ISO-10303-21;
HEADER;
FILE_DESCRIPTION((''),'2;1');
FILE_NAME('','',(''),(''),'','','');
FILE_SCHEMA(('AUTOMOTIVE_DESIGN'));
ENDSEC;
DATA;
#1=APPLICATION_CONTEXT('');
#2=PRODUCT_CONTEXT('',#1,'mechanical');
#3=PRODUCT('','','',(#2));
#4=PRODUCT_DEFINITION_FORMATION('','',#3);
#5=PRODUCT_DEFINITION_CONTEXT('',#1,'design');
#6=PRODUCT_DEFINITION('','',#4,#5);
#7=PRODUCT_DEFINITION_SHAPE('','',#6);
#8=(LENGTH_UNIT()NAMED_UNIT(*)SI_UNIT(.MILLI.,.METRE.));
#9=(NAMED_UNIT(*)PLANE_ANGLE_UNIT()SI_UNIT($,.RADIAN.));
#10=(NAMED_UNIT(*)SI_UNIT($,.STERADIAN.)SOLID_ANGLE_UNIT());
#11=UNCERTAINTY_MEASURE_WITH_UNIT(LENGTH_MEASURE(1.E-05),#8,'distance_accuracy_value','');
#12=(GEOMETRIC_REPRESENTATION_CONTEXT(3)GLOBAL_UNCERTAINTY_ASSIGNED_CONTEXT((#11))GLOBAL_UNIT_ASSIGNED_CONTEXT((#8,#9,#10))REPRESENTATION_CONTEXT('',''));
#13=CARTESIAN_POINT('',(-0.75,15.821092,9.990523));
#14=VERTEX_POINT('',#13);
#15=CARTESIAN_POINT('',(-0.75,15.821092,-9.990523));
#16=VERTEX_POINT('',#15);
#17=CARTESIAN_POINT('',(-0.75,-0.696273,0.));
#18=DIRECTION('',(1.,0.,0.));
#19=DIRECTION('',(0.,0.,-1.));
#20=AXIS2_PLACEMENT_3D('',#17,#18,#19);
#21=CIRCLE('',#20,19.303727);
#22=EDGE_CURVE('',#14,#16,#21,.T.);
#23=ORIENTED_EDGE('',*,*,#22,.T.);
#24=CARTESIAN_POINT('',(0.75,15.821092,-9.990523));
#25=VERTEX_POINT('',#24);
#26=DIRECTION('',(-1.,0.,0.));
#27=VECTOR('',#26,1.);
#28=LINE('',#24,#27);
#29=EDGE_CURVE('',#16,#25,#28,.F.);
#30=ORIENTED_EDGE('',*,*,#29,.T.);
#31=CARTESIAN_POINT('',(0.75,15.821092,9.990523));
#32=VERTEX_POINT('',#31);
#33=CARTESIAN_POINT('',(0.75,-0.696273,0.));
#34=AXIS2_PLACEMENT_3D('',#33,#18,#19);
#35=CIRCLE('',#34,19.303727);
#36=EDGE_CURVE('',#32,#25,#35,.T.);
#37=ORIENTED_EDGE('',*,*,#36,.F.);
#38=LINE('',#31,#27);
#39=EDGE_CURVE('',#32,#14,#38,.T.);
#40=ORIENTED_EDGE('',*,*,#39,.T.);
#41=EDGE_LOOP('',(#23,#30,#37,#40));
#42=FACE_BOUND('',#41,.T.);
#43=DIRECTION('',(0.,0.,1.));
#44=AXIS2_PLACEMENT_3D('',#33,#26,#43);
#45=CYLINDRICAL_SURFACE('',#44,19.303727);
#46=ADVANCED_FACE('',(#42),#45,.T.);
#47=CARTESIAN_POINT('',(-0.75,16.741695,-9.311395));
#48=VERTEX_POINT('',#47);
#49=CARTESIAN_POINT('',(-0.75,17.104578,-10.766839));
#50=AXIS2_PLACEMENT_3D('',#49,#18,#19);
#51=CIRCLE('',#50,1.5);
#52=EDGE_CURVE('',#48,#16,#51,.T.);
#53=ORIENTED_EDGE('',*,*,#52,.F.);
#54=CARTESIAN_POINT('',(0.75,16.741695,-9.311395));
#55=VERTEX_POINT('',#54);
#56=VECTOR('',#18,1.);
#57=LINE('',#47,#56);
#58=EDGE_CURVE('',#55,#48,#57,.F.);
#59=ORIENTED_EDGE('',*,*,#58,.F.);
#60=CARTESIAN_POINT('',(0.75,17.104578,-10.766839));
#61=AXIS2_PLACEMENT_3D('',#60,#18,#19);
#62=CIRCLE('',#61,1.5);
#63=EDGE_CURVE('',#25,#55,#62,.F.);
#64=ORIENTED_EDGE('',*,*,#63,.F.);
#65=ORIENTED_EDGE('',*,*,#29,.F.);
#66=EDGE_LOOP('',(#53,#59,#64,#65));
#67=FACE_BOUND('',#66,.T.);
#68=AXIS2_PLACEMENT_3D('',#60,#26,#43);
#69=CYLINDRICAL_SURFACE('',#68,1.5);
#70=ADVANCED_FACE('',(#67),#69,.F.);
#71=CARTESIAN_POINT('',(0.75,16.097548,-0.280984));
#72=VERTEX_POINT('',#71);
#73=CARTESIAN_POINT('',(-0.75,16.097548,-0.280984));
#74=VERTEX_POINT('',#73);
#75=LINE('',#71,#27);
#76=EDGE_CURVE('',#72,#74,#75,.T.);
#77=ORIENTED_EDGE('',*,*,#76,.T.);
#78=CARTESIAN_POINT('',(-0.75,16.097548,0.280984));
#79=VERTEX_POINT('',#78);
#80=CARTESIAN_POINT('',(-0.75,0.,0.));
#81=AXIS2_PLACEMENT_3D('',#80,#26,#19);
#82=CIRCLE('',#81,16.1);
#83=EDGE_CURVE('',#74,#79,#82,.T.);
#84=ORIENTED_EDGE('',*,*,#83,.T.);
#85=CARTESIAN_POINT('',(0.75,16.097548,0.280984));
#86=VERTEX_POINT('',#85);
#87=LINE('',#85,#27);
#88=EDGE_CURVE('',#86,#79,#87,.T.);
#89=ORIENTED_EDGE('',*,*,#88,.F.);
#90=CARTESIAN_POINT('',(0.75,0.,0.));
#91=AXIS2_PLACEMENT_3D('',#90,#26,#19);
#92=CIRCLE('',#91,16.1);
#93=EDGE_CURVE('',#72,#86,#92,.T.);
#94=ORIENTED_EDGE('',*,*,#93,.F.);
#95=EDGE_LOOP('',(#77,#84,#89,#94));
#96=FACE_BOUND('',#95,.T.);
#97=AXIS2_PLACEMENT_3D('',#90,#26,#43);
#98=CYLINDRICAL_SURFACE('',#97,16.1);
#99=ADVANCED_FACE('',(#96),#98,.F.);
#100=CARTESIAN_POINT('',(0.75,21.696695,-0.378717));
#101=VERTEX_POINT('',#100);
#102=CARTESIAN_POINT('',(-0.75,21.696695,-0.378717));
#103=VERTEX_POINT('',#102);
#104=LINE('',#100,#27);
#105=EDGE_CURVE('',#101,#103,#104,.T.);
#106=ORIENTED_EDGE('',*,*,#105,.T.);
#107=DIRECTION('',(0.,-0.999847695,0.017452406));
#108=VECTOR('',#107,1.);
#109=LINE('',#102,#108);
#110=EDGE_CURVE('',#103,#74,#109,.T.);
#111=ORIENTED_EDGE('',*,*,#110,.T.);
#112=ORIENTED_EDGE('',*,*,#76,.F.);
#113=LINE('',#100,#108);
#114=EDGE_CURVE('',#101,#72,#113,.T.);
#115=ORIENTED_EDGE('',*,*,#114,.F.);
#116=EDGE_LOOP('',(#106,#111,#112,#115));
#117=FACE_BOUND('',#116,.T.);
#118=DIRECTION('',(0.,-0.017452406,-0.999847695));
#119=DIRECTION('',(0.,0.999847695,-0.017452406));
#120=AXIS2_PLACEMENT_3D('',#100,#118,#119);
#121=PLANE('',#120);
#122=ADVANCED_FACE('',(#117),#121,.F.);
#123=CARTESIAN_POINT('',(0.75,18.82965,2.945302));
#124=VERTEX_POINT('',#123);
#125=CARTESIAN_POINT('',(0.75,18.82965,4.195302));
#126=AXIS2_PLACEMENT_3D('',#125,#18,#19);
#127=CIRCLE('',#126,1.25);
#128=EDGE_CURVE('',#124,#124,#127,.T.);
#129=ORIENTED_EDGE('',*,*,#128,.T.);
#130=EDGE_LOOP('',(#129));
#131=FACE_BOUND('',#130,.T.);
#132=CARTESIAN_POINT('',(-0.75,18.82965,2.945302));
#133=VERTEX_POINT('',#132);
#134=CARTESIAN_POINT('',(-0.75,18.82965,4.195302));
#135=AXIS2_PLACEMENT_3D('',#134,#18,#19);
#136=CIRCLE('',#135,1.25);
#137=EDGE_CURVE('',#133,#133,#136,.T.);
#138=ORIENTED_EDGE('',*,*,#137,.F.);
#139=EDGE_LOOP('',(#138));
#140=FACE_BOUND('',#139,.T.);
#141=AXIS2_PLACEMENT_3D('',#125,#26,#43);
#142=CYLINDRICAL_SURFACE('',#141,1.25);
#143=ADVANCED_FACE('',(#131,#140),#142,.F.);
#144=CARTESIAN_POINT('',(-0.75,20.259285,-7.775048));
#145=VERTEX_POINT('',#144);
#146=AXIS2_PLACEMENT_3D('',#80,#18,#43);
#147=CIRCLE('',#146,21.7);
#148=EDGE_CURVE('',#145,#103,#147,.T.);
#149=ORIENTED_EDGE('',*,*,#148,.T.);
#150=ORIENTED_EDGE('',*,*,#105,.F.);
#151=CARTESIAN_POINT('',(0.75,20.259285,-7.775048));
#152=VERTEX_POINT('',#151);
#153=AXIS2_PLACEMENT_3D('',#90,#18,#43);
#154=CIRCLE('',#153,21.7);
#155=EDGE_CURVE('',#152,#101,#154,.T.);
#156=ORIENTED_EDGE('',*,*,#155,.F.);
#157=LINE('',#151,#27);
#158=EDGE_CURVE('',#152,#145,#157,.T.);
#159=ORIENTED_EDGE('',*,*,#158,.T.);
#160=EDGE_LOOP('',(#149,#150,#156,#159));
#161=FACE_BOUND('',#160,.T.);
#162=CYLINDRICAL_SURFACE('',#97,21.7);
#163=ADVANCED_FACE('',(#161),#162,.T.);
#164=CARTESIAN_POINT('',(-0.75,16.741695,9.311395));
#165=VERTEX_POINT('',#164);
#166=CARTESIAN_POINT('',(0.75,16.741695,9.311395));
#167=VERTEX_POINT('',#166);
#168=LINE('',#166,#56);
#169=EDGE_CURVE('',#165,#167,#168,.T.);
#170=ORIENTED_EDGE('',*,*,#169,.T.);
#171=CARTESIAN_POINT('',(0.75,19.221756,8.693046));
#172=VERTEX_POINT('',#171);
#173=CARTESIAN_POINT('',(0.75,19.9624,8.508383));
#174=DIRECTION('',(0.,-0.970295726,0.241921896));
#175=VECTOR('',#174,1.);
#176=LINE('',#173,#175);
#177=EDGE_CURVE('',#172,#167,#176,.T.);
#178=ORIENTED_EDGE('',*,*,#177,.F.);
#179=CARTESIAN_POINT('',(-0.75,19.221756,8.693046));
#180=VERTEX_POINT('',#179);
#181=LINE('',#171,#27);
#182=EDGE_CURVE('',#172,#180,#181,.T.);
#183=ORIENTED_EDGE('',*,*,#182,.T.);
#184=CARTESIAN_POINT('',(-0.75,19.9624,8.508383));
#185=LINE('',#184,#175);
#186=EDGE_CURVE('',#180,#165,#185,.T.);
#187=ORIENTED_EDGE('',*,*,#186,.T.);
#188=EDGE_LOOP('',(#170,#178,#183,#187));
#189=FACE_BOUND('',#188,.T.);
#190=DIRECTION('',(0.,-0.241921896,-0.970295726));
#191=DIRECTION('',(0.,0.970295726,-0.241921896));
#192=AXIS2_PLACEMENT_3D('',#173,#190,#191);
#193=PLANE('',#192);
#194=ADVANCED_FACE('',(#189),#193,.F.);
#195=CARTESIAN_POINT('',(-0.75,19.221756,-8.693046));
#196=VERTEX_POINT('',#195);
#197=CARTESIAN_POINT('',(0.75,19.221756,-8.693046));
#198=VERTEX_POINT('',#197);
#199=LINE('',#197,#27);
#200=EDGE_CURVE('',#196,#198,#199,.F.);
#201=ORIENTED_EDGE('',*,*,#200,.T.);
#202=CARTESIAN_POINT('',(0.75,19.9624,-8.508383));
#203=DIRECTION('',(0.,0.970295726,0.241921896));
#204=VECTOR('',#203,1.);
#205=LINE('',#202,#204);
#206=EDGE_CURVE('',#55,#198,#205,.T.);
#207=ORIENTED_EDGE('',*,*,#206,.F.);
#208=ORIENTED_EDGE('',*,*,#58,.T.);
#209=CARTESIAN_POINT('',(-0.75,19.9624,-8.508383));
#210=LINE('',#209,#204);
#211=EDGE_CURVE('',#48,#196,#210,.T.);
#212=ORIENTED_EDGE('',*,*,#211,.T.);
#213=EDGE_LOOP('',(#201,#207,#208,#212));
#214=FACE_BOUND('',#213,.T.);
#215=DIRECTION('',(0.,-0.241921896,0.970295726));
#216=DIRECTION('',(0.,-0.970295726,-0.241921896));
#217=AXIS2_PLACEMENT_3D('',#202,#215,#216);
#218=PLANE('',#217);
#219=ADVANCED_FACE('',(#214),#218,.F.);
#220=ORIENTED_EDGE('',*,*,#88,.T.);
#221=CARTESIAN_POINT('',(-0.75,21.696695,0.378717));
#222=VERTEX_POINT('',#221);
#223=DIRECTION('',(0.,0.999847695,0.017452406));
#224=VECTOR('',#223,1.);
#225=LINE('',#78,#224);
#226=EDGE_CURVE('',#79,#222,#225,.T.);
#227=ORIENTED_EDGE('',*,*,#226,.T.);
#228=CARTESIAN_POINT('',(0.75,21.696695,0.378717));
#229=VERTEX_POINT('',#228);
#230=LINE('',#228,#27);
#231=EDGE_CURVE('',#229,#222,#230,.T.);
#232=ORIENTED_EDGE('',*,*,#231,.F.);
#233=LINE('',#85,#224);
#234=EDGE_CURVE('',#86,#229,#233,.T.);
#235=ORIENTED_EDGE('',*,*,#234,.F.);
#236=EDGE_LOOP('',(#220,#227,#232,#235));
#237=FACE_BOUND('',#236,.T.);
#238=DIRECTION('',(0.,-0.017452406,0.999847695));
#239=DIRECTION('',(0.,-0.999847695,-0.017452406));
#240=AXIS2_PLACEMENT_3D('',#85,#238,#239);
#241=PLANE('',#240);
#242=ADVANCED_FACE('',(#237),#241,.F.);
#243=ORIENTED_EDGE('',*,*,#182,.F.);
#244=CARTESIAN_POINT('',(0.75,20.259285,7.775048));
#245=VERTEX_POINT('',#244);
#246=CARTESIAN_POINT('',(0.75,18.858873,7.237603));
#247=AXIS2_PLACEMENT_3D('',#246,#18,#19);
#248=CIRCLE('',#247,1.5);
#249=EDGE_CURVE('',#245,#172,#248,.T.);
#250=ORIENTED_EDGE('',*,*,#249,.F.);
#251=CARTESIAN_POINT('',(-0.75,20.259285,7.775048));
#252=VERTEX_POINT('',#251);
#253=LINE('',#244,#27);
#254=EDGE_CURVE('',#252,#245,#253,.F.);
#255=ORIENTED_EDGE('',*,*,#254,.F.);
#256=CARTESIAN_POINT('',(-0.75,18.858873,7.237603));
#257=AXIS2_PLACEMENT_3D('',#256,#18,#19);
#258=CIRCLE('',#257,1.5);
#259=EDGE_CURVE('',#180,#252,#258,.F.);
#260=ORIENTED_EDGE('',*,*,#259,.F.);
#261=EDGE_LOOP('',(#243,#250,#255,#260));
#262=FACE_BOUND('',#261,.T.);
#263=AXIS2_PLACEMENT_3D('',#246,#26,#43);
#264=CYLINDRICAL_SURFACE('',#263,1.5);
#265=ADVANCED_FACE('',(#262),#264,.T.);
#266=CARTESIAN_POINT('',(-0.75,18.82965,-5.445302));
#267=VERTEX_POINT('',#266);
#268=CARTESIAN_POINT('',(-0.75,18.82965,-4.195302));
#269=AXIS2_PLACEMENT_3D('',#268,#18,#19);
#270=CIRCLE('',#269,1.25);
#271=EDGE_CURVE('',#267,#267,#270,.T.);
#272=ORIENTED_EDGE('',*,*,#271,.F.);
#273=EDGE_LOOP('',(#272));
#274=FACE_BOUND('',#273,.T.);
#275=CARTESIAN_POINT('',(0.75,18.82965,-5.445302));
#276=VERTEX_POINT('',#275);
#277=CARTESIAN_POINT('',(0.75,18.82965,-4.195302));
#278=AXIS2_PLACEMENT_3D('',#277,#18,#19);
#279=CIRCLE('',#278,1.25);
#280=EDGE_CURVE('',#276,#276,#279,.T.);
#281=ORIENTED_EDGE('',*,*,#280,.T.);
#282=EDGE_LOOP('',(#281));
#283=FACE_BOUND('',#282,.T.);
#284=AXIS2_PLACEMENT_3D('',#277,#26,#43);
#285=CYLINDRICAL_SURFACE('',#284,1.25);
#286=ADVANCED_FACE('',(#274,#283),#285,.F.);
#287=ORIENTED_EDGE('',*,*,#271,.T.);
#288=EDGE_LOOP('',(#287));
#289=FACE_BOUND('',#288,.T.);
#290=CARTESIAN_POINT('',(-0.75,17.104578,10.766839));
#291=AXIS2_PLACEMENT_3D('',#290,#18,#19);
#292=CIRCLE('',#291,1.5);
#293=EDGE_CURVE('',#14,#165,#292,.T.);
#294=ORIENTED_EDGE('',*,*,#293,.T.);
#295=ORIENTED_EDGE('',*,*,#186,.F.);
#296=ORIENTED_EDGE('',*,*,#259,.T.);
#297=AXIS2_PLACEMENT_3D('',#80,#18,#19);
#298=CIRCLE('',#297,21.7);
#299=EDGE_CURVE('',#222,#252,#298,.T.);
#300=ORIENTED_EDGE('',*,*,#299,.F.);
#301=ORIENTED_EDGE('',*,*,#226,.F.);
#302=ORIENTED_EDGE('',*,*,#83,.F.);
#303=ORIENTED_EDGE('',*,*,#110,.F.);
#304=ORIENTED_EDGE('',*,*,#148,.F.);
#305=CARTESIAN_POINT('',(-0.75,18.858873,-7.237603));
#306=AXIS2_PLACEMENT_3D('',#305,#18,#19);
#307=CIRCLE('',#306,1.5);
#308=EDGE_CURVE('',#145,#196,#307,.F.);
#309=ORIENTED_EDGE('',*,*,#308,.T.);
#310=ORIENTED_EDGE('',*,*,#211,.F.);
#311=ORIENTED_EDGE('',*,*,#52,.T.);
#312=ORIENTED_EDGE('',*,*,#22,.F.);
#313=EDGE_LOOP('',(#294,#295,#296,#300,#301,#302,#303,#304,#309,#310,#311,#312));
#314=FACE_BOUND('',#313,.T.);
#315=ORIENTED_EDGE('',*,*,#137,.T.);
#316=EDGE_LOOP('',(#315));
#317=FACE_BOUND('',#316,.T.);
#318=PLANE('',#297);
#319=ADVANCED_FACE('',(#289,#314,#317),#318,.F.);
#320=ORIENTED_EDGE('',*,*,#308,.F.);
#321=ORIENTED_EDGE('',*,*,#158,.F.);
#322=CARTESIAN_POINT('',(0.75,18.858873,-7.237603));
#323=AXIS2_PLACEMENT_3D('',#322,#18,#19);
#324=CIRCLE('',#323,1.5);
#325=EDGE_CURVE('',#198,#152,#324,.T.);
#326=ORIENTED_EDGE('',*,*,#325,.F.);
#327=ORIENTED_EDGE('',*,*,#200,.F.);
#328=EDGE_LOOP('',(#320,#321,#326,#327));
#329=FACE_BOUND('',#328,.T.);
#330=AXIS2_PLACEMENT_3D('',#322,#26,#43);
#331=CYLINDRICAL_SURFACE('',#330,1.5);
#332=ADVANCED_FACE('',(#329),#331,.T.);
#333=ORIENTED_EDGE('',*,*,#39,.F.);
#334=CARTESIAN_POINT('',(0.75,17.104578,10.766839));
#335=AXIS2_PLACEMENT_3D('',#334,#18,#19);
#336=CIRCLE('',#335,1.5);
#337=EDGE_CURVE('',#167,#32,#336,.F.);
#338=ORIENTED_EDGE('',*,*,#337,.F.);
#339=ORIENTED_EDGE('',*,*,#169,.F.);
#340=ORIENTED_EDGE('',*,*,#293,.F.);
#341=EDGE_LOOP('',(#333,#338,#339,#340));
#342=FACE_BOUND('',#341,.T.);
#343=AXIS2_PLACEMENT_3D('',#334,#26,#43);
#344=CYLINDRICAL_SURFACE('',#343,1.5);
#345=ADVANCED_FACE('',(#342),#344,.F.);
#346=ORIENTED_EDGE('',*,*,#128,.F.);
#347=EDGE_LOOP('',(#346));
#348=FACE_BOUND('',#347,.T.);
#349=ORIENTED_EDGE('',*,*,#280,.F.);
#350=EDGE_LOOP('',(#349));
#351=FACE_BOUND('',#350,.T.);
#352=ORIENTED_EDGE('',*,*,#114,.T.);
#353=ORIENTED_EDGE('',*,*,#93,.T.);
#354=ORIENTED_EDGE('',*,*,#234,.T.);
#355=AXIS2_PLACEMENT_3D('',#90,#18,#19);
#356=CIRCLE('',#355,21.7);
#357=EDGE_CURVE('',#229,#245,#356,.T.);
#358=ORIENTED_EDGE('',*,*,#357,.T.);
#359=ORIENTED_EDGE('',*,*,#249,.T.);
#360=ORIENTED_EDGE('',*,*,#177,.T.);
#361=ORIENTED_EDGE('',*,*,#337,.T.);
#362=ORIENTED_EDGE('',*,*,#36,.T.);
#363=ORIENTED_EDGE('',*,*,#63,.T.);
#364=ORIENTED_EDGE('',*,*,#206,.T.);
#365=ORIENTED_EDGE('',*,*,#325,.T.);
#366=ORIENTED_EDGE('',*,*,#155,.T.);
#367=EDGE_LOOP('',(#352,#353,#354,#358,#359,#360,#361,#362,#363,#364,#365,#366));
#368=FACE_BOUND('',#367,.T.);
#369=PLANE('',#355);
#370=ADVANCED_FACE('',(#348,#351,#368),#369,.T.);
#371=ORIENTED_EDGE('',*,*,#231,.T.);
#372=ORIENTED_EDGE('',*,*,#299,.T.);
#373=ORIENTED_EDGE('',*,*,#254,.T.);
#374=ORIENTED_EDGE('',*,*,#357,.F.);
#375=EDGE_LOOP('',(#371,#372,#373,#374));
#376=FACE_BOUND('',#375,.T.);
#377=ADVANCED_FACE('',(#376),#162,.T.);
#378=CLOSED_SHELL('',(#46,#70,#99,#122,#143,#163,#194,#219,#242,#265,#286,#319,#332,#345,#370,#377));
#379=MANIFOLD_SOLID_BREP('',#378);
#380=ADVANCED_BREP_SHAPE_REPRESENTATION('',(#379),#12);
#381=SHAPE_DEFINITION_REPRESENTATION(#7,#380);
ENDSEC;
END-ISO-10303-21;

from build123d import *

# Parameters (mm, degrees)
SKETCH1_R      = 1.25
EXTRUDE1_DEPTH = 0.75
FILLET1_R      = 1.5


with BuildPart() as part:
    # Sketch1 → Extrude1 (new, symmetric)
    with BuildSketch(Plane(origin=(0, 0, 0), x_dir=(0, 0, -1), z_dir=(1, 0, 0))):
        with BuildLine():
            Line((-0.280983744, 16.097547892), (-0.37871722, 21.696694985))
            ThreePointArc((-0.37871722, 21.696694985), (-4.52737031, 21.222462583), (-8.508382933, 19.962400153))
            Line((-8.508382933, 19.962400153), (-9.464382452, 16.128095511))
            ThreePointArc((-9.464382452, 16.128095511), (0, -20), (9.464382452, 16.128095511))
            Line((9.464382452, 16.128095511), (8.508382933, 19.962400153))
            ThreePointArc((8.508382933, 19.962400153), (4.52737031, 21.222462583), (0.37871722, 21.696694985))
            Line((0.37871722, 21.696694985), (0.280983744, 16.097547892))
            ThreePointArc((0.280983744, 16.097547892), (0, -16.1), (-0.280983744, 16.097547892))
        make_face()
        with Locations((-4.19530179, 18.829649735)):
            Circle(SKETCH1_R, mode=Mode.SUBTRACT)
        with Locations((4.19530179, 18.829649735)):
            Circle(SKETCH1_R, mode=Mode.SUBTRACT)
    extrude(amount=EXTRUDE1_DEPTH, both=True)

    # Fillet1
    fillet1_edges = [part.edges().sort_by_distance(p)[0] for p in [
        (0, 19.962400153, -8.508382933),
        (0, 16.128095511, -9.464382452),
        (0, 16.128095511, 9.464382452),
        (0, 19.962400153, 8.508382933),
    ]]
    fillet(fillet1_edges, radius=FILLET1_R)


solid = part.part
